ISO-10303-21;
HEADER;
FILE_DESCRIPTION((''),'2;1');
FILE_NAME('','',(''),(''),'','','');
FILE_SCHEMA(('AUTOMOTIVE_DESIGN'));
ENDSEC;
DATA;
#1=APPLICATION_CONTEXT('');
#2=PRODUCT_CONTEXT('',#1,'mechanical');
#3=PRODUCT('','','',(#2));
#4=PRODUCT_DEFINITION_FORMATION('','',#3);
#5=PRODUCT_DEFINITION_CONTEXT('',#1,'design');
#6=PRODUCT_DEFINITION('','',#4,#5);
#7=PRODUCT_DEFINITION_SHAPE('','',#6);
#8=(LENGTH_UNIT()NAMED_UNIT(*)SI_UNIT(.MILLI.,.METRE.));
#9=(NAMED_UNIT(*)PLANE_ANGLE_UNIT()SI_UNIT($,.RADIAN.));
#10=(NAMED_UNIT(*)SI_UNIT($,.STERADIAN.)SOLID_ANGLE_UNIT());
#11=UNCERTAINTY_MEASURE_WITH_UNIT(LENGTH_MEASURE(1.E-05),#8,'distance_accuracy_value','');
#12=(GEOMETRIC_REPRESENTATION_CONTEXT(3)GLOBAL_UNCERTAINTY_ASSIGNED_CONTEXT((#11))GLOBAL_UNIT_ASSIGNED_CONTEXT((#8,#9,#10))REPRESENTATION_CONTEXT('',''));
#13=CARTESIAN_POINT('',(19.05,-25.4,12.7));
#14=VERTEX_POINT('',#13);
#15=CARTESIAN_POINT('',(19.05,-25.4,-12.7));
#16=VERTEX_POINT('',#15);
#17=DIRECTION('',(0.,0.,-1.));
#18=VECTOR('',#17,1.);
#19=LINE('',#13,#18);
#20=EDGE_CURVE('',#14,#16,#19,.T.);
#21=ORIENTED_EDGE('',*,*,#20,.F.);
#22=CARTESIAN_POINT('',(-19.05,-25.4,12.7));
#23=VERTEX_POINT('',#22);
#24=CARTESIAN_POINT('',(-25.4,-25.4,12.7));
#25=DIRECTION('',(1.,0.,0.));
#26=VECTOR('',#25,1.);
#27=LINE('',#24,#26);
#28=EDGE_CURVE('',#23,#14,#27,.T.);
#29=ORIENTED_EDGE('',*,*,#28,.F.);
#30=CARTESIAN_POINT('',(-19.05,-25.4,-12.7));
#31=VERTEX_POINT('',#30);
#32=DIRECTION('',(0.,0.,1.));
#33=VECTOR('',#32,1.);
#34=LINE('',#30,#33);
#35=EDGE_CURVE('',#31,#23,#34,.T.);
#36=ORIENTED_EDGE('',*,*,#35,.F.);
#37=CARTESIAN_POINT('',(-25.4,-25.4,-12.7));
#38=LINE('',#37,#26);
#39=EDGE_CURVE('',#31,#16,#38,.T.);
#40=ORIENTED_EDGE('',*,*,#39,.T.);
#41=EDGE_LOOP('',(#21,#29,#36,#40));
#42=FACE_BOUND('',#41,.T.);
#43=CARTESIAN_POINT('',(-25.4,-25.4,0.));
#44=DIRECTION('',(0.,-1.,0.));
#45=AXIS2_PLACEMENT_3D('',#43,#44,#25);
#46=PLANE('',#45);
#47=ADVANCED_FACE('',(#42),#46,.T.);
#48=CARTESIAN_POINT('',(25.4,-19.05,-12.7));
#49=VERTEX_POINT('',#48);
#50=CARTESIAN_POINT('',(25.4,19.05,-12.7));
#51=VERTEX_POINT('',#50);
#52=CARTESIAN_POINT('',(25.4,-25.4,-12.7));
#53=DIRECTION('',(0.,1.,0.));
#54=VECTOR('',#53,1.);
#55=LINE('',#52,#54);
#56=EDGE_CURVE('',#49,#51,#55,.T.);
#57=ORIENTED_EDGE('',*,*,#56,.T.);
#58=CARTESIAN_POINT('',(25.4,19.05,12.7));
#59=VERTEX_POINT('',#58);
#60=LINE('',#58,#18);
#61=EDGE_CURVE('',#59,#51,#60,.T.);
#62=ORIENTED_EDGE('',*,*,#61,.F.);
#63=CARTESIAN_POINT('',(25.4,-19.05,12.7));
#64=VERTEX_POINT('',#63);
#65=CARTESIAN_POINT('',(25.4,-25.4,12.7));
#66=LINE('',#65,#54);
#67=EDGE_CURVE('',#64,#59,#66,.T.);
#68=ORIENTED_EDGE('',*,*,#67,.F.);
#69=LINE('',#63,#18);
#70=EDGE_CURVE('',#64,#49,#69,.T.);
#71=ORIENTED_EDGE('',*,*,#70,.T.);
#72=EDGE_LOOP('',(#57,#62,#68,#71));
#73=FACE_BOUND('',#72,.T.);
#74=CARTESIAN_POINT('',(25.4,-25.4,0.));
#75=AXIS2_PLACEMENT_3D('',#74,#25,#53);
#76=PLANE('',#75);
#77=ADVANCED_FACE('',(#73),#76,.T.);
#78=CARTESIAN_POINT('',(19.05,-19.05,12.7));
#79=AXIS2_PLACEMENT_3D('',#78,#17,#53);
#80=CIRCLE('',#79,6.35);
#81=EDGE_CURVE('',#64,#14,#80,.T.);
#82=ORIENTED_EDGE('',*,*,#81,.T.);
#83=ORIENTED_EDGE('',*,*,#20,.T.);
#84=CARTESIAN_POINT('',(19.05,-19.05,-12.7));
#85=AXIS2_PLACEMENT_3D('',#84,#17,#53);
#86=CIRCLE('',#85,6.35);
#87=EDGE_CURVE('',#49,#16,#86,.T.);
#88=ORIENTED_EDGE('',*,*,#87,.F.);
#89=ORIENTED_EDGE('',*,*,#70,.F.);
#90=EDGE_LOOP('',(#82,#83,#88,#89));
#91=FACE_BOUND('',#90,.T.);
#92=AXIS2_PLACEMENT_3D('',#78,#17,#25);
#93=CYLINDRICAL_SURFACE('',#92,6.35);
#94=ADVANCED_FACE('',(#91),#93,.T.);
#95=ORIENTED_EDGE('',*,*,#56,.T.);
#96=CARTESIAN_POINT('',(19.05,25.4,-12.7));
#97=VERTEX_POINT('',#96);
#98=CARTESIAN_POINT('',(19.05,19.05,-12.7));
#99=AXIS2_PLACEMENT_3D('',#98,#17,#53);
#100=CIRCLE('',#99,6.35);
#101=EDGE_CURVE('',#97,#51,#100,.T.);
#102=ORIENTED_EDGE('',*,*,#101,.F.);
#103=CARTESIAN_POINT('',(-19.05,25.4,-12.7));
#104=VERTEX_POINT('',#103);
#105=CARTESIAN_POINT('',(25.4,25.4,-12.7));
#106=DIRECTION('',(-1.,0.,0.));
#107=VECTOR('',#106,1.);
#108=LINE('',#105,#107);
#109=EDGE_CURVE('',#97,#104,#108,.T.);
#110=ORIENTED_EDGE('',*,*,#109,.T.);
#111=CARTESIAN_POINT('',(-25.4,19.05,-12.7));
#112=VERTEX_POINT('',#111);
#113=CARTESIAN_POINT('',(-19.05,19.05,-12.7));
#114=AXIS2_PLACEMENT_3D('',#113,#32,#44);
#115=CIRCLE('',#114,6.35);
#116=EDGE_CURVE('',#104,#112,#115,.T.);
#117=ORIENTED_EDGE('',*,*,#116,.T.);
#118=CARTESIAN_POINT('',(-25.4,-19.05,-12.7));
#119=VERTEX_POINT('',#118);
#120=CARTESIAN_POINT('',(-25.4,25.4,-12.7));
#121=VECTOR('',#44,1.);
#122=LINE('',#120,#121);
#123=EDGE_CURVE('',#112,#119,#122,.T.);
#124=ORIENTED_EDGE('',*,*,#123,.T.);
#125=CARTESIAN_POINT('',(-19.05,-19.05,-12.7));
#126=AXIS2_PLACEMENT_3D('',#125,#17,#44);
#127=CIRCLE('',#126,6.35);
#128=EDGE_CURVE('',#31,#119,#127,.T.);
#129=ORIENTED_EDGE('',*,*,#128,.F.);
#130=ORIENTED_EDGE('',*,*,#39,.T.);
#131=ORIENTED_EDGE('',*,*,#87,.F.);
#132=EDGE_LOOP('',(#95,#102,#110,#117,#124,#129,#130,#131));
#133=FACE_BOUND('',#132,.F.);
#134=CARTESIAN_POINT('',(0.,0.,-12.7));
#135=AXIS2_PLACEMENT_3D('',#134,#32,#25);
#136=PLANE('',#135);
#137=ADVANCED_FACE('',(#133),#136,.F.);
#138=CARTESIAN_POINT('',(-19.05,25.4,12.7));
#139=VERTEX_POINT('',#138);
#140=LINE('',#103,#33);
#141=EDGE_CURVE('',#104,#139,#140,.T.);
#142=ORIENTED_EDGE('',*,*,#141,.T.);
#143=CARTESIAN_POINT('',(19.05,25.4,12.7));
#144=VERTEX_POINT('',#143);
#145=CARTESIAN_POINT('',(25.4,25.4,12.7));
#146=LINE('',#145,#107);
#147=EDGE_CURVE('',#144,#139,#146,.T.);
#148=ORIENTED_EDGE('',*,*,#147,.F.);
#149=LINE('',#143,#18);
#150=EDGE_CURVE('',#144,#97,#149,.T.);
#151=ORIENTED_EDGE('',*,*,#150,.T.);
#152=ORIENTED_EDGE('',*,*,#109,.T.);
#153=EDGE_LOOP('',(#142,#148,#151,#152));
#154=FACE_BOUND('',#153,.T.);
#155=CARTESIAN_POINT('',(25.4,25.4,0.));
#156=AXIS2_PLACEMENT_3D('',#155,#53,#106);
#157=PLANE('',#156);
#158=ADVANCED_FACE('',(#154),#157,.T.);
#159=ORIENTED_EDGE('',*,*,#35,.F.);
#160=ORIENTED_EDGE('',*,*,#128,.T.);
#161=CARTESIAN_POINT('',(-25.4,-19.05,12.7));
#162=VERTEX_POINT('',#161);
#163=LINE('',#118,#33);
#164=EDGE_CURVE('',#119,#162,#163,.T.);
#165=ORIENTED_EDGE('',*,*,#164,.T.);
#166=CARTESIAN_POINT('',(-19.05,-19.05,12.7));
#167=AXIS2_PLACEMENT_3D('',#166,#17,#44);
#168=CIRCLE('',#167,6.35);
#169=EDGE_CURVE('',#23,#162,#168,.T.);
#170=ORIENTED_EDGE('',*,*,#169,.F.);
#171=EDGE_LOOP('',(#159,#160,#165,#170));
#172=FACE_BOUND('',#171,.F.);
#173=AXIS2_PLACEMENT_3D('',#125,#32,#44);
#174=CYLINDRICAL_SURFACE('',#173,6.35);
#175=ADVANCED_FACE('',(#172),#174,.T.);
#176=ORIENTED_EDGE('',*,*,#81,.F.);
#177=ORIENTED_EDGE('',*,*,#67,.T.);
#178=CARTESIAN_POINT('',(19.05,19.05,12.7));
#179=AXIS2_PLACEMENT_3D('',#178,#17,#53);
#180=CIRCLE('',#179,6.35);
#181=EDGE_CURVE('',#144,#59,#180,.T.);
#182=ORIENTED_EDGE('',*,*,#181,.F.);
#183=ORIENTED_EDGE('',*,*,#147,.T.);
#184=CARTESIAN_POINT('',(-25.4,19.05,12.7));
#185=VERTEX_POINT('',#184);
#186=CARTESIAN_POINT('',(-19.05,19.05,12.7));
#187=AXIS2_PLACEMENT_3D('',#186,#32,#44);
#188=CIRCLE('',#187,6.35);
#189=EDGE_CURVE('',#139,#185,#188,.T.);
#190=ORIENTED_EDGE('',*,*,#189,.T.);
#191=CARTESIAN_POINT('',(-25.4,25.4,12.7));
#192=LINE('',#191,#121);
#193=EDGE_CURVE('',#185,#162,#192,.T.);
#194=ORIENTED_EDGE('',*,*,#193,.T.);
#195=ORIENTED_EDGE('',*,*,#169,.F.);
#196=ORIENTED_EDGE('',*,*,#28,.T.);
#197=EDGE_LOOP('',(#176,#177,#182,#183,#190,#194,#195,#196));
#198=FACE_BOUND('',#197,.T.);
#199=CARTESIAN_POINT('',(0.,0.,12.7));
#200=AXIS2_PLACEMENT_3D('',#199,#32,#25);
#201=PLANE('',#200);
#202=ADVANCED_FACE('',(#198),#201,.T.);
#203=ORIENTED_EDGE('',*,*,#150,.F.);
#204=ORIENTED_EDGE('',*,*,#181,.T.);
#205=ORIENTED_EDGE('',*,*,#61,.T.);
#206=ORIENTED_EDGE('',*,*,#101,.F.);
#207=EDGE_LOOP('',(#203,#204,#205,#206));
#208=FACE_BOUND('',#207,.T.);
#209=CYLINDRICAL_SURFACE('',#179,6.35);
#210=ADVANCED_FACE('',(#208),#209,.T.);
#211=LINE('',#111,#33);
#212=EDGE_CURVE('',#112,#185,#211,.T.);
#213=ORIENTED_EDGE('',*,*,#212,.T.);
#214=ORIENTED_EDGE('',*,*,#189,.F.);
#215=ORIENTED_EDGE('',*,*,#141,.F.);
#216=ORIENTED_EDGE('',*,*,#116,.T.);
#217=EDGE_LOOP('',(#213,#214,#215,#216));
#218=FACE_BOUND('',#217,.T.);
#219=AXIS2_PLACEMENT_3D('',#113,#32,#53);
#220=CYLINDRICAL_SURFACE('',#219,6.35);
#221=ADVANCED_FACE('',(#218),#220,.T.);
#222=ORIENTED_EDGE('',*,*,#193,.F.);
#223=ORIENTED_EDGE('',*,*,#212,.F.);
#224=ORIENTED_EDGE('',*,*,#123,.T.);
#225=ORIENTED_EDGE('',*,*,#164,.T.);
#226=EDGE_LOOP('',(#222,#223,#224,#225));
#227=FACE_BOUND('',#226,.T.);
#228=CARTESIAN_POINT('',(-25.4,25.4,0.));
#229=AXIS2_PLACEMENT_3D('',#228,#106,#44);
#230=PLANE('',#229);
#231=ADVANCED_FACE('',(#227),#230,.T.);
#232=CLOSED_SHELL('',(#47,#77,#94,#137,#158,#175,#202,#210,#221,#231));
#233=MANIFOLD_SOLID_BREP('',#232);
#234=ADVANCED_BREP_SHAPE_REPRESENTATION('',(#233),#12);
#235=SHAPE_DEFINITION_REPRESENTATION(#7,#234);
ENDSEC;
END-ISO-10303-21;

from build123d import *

# Parameters (mm, degrees)
F1_DEPTH = 12.7
F2_R     = 6.35


with BuildPart() as f1:
    # F0 (on Top) → F1 (new body, symmetric)
    with BuildSketch(Plane.XY):
        Polygon((25.4, 25.4), (0, 25.4), (-25.4, 25.4), (-25.4, -25.4), (0, -25.4), (25.4, -25.4), align=None)
    extrude(amount=F1_DEPTH, both=True)

    # F2
    f2_edges = [f1.edges().sort_by_distance(p)[0] for p in [
        (-25.4, 25.4, 0),
        (25.4, 25.4, 0),
        (25.4, -25.4, 0),
        (-25.4, -25.4, 0),
    ]]
    fillet(f2_edges, radius=F2_R)


solid = f1.part
